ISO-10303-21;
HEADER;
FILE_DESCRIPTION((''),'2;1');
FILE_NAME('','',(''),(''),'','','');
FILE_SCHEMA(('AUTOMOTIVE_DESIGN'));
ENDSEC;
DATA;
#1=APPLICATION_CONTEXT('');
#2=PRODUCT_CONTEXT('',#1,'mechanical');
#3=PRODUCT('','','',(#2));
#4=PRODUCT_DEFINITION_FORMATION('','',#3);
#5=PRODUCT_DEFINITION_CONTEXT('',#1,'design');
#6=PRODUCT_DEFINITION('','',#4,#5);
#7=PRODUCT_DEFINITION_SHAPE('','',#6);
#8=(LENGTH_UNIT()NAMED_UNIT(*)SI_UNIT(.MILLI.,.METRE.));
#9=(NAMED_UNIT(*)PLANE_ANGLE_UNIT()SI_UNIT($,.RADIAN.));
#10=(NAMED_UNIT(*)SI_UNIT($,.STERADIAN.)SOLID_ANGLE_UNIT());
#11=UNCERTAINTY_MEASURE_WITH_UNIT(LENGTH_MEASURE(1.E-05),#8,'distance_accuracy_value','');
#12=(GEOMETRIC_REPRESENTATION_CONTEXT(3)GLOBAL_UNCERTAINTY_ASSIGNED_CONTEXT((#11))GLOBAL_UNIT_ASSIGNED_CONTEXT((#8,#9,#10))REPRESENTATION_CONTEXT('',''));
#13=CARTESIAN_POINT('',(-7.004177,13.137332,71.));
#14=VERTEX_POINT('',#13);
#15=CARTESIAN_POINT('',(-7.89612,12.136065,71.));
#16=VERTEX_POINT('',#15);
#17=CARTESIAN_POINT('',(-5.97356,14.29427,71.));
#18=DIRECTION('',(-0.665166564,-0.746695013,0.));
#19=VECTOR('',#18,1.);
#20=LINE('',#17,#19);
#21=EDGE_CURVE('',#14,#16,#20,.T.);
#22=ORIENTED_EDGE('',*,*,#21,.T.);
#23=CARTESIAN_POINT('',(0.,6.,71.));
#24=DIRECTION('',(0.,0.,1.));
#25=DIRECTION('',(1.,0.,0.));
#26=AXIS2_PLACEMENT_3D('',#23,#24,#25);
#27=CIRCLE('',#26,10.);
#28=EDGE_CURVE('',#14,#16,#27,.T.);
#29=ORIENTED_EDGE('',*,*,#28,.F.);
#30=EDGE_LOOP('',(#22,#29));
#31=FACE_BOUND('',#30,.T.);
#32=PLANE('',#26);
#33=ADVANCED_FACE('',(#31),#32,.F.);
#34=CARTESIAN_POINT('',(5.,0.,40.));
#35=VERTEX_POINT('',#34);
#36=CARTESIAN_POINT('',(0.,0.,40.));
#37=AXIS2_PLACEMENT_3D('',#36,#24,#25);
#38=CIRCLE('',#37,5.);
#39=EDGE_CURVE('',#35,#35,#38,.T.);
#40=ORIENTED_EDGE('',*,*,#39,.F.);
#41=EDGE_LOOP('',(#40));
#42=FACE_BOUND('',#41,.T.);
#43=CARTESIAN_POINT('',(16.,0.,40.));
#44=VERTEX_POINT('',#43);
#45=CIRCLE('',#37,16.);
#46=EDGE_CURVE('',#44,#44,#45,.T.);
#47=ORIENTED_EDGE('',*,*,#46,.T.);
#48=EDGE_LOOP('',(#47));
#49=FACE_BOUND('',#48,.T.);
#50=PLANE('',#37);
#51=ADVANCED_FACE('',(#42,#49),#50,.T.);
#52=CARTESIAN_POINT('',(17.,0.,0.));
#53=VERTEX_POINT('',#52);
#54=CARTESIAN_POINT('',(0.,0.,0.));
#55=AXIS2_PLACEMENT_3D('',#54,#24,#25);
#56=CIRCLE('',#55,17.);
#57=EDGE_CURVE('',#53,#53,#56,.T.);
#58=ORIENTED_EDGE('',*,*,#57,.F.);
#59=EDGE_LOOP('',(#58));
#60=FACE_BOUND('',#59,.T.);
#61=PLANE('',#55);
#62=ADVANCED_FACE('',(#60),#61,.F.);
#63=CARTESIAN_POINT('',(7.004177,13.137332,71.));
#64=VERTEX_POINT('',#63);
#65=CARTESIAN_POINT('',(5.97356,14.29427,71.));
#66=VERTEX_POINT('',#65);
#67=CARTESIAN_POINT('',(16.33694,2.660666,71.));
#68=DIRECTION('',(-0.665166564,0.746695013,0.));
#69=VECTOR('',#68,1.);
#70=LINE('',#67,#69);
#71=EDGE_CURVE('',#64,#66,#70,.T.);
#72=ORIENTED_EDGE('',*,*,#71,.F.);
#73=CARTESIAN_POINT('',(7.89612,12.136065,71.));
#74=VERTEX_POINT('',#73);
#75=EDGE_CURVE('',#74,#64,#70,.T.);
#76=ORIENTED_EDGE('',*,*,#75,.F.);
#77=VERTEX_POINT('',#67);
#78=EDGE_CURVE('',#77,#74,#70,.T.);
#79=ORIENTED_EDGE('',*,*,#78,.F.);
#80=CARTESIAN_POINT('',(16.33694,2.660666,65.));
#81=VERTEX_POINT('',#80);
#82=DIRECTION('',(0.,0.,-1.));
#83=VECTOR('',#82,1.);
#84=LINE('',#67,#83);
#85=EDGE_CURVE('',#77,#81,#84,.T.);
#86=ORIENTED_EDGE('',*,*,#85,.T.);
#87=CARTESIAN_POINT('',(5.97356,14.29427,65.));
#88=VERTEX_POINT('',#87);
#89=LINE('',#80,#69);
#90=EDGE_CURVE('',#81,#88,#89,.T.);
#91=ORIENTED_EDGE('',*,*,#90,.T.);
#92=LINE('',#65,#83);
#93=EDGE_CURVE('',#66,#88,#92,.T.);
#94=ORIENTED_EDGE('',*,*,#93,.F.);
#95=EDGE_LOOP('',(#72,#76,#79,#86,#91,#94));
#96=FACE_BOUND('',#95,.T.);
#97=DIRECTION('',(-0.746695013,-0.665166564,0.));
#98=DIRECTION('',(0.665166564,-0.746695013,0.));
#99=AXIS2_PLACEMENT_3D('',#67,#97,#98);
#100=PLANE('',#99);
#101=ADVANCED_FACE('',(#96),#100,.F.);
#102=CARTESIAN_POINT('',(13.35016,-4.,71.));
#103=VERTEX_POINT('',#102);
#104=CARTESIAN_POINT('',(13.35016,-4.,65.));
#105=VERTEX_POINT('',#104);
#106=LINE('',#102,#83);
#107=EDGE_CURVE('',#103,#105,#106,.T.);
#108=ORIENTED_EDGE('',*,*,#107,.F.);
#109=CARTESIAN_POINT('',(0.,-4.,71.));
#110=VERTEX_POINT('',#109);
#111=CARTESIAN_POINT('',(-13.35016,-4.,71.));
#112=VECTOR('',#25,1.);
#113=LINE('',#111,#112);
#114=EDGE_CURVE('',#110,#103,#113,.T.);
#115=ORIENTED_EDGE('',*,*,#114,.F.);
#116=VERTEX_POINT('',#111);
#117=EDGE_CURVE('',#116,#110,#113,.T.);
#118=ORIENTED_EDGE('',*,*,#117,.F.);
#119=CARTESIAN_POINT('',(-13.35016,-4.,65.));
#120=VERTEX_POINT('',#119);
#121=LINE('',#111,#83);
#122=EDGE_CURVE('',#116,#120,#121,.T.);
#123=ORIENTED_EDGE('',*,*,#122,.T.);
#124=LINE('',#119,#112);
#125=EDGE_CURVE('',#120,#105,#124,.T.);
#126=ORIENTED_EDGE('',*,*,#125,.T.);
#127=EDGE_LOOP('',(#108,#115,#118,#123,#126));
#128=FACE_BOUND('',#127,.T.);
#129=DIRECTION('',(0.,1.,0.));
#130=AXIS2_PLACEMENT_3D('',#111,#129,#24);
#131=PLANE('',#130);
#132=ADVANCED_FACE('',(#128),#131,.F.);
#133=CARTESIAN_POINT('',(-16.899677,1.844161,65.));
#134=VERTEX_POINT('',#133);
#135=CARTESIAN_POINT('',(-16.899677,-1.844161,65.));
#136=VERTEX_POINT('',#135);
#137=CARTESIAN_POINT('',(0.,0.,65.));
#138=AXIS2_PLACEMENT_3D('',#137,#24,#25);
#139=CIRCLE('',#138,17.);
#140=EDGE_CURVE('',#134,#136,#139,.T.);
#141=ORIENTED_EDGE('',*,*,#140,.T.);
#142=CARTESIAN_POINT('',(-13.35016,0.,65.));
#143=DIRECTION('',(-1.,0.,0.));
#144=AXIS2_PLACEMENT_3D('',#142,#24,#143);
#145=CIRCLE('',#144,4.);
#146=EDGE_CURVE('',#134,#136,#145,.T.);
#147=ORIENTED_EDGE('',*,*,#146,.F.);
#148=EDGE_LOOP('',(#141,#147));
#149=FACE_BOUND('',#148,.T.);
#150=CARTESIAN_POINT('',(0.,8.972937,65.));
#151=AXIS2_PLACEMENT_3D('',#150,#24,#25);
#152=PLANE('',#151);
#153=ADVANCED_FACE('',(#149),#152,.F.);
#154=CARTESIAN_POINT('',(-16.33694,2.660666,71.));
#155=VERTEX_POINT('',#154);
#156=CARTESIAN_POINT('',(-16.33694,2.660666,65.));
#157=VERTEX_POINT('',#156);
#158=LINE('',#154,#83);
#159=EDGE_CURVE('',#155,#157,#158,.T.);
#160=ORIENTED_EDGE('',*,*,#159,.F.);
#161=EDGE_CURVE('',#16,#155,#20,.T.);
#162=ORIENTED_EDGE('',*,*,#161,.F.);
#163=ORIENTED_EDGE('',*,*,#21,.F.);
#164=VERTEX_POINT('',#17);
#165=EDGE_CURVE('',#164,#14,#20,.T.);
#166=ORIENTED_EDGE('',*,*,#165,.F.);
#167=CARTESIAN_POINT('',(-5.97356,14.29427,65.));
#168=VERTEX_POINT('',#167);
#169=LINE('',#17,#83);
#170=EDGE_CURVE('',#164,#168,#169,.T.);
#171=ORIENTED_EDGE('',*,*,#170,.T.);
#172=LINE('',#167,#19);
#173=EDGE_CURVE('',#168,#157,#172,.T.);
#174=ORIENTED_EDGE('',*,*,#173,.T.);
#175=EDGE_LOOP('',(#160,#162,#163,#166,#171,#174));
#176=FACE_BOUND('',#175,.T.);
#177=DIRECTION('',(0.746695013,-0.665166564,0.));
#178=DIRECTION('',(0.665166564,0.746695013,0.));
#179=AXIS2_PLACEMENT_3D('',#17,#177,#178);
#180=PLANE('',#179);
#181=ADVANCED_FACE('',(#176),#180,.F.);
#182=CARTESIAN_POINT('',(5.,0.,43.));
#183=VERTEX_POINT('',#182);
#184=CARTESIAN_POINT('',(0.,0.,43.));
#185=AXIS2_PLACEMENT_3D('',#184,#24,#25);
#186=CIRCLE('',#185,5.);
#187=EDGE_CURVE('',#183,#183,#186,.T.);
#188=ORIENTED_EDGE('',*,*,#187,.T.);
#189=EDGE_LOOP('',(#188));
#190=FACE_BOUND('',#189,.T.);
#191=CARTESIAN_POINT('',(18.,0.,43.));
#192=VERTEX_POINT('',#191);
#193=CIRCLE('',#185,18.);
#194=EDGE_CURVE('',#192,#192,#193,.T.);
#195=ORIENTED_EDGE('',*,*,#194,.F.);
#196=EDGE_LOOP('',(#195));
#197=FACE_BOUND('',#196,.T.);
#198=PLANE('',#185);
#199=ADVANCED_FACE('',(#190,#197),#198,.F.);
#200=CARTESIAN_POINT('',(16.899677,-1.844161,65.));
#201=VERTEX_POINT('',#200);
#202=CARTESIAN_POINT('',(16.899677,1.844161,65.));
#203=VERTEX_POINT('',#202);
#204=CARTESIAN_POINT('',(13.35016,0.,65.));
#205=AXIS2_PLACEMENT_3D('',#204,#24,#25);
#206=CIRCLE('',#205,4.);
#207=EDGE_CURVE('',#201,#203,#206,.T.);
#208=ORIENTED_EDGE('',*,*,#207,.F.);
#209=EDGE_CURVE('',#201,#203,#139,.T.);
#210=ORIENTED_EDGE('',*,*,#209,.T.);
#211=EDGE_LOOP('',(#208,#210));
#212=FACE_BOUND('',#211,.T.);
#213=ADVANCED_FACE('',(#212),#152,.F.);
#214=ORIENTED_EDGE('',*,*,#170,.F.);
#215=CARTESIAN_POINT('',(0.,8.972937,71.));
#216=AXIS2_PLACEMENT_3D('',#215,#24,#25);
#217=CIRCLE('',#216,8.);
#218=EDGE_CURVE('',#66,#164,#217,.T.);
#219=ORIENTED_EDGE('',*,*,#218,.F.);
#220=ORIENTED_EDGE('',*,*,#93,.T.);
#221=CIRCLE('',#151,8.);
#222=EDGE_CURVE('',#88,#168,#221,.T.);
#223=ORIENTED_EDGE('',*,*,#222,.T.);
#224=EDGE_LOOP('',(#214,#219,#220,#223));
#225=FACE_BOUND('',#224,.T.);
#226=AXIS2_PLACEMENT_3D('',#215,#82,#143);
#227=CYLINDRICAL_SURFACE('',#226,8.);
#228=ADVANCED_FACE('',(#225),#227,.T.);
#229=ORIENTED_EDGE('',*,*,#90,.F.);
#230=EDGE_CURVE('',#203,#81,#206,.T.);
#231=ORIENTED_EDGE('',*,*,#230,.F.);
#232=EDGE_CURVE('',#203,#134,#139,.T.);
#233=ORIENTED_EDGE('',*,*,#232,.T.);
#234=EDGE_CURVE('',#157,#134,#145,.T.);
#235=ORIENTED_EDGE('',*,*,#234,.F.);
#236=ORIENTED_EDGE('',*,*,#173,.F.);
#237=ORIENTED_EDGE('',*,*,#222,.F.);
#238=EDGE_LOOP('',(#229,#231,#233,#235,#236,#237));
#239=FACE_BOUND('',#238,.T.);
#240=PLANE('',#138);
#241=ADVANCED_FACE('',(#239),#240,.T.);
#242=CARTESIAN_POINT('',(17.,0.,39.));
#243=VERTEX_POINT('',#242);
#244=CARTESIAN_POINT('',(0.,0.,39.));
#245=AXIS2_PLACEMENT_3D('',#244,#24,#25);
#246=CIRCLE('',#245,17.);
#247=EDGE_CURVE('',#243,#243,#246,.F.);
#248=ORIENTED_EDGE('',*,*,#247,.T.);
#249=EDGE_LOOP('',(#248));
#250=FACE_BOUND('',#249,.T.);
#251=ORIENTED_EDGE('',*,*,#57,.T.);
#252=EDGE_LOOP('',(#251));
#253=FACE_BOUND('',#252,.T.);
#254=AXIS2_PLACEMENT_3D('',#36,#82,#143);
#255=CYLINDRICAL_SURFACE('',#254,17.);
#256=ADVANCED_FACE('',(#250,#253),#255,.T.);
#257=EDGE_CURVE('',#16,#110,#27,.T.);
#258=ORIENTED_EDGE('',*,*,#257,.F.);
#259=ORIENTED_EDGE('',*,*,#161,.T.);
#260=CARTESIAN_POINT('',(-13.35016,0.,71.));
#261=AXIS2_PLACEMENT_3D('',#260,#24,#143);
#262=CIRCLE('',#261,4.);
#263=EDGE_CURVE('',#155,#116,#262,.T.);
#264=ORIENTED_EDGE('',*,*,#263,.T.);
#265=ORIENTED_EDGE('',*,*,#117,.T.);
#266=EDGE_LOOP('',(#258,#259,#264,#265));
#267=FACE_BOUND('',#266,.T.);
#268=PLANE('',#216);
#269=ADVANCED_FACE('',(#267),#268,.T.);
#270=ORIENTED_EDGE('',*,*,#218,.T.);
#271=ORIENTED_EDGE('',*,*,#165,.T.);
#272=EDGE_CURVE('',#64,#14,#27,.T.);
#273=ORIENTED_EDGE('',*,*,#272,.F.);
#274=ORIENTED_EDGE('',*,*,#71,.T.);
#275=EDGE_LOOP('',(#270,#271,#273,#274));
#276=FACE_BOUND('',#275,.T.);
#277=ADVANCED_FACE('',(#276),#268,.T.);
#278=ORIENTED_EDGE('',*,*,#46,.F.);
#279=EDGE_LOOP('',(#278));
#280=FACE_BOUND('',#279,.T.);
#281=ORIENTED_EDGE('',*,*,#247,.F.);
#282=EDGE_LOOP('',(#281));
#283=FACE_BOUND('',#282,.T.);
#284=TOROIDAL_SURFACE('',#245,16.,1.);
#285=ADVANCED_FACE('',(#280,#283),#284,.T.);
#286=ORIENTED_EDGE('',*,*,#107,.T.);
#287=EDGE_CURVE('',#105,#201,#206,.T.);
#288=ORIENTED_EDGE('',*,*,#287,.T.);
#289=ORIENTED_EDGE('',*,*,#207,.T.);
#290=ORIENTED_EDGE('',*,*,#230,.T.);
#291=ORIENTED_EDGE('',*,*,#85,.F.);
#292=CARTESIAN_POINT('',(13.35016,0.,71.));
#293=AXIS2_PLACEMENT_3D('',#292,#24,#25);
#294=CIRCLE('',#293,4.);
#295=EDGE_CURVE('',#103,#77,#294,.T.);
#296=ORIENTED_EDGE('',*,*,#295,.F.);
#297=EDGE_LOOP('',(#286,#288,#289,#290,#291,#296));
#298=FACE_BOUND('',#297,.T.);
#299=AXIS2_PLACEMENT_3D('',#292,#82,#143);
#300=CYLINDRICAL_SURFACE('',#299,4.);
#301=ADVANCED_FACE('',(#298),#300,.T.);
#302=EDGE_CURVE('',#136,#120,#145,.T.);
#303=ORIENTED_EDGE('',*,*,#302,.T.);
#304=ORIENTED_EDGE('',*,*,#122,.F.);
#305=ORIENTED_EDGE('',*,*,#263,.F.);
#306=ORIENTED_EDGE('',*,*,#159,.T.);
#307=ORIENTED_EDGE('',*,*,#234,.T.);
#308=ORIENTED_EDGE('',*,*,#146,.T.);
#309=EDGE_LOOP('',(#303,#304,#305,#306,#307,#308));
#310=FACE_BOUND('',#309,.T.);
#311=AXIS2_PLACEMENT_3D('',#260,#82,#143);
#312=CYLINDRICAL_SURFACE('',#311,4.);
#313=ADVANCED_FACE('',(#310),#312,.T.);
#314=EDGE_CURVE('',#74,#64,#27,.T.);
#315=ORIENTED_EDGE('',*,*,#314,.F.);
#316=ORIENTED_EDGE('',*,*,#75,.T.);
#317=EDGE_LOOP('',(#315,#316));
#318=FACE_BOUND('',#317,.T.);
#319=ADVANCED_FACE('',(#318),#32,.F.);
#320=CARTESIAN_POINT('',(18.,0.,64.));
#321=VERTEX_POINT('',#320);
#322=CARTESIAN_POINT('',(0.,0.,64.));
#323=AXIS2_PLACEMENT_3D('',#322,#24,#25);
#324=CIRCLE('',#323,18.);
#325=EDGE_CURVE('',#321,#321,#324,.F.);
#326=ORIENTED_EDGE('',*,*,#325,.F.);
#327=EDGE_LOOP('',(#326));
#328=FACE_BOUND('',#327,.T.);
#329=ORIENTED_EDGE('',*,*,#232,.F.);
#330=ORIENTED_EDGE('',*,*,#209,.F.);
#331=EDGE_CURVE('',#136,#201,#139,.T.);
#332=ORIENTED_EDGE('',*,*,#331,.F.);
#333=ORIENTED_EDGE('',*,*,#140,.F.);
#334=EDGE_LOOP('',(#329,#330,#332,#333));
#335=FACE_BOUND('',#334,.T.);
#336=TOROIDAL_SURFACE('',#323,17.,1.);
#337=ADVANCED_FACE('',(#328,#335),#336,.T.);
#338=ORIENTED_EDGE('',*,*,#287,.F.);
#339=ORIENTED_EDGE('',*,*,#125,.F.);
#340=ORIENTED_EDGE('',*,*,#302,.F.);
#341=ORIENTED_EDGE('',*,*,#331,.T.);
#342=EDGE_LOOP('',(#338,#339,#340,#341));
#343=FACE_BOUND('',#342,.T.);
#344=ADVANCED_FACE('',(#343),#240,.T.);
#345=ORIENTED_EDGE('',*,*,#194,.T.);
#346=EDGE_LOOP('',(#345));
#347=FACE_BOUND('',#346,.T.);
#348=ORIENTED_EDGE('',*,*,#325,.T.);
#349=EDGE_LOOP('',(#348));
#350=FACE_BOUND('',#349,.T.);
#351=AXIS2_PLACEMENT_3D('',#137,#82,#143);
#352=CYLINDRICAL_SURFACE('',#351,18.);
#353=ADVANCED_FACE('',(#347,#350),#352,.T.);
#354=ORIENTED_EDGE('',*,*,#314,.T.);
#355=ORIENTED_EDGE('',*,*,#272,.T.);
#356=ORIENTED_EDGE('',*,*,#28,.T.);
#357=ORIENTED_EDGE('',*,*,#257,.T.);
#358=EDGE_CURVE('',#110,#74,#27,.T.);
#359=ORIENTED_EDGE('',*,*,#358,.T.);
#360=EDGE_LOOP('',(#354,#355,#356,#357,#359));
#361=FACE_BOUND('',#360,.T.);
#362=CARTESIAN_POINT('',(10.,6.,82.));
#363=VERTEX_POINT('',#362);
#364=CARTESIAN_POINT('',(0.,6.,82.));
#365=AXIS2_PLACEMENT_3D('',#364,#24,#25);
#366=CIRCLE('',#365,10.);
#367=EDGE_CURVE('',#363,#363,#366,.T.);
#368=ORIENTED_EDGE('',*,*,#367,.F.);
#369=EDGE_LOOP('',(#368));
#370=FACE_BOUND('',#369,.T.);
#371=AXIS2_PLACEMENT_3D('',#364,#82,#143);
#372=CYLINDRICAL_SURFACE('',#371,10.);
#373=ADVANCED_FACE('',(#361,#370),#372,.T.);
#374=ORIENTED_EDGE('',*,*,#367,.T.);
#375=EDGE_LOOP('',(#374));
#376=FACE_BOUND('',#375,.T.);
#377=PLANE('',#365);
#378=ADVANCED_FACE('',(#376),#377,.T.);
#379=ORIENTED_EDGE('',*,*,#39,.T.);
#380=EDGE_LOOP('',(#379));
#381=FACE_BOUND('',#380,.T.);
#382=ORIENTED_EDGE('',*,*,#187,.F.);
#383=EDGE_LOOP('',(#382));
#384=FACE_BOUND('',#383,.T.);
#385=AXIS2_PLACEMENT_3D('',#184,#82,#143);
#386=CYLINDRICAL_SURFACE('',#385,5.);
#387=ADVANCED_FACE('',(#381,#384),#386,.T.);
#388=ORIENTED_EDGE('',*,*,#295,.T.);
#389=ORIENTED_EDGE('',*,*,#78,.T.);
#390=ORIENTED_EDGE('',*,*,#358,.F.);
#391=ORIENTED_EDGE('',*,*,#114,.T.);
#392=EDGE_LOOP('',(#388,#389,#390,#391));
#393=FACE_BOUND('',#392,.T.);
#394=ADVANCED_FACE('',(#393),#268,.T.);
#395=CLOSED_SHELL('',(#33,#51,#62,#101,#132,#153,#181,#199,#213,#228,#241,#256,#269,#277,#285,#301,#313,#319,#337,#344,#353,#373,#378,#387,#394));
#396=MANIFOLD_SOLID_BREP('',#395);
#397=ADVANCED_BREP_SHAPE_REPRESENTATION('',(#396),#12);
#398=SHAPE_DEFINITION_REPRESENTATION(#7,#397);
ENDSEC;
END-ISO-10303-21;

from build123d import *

# Parameters (mm, degrees)
ESQUISSE1_R        = 17
BOSS_EXTRU_1_DEPTH = 40
ESQUISSE2_R        = 5
BOSS_EXTRU_2_DEPTH = 3
CONG_1_R           = 1
ESQUISSE3_R        = 18
BOSS_EXTRU_3_DEPTH = 22
CONG_2_R           = 1
BOSS_EXTRU_4_DEPTH = 6
ESQUISSE5_R        = 10
BOSS_EXTRU_5_DEPTH = 11


with BuildPart() as part:
    # Esquisse1 → Boss.-Extru.1 (new body)
    with BuildSketch(Plane.XY):
        Circle(ESQUISSE1_R)
    extrude(amount=BOSS_EXTRU_1_DEPTH)

    # Esquisse2 → Boss.-Extru.2 (add)
    with BuildSketch(Plane.XY.offset(40)):
        Circle(ESQUISSE2_R)
    extrude(amount=BOSS_EXTRU_2_DEPTH)

    # Congé1
    cong_1_edges = [part.edges().sort_by_distance(p)[0] for p in [
        (-17, 0, 40),
    ]]
    fillet(cong_1_edges, radius=CONG_1_R)

    # Esquisse3 → Boss.-Extru.3 (add)
    with BuildSketch(Plane.XY.offset(43)):
        Circle(ESQUISSE3_R)
    extrude(amount=BOSS_EXTRU_3_DEPTH)

    # Congé2
    cong_2_edges = [part.edges().sort_by_distance(p)[0] for p in [
        (-18, 0, 65),
    ]]
    fillet(cong_2_edges, radius=CONG_2_R)

    # Esquisse4 → Boss.-Extru.4 (add)
    with BuildSketch(Plane.XY.offset(65)):
        with BuildLine():
            Line((-13.350159933, -4), (13.350159933, -4))
            ThreePointArc((13.350159933, -4), (17, -1.636663523), (16.336939985, 2.660666256))
            Line((16.336939985, 2.660666256), (5.973560103, 14.294269767))
            ThreePointArc((5.973560103, 14.294269767), (0, 16.972937256), (-5.973560103, 14.294269767))
            Line((-5.973560103, 14.294269767), (-16.336939985, 2.660666256))
            ThreePointArc((-16.336939985, 2.660666256), (-17, -1.636663523), (-13.350159933, -4))
        make_face()
    extrude(amount=BOSS_EXTRU_4_DEPTH)

    # Esquisse5 → Boss.-Extru.5 (add)
    with BuildSketch(Plane.XY.offset(71)):
        with Locations(Location((0, 6, 0), (0, 0, 142.149265436))):
            Circle(ESQUISSE5_R)
    extrude(amount=BOSS_EXTRU_5_DEPTH)


solid = part.part
